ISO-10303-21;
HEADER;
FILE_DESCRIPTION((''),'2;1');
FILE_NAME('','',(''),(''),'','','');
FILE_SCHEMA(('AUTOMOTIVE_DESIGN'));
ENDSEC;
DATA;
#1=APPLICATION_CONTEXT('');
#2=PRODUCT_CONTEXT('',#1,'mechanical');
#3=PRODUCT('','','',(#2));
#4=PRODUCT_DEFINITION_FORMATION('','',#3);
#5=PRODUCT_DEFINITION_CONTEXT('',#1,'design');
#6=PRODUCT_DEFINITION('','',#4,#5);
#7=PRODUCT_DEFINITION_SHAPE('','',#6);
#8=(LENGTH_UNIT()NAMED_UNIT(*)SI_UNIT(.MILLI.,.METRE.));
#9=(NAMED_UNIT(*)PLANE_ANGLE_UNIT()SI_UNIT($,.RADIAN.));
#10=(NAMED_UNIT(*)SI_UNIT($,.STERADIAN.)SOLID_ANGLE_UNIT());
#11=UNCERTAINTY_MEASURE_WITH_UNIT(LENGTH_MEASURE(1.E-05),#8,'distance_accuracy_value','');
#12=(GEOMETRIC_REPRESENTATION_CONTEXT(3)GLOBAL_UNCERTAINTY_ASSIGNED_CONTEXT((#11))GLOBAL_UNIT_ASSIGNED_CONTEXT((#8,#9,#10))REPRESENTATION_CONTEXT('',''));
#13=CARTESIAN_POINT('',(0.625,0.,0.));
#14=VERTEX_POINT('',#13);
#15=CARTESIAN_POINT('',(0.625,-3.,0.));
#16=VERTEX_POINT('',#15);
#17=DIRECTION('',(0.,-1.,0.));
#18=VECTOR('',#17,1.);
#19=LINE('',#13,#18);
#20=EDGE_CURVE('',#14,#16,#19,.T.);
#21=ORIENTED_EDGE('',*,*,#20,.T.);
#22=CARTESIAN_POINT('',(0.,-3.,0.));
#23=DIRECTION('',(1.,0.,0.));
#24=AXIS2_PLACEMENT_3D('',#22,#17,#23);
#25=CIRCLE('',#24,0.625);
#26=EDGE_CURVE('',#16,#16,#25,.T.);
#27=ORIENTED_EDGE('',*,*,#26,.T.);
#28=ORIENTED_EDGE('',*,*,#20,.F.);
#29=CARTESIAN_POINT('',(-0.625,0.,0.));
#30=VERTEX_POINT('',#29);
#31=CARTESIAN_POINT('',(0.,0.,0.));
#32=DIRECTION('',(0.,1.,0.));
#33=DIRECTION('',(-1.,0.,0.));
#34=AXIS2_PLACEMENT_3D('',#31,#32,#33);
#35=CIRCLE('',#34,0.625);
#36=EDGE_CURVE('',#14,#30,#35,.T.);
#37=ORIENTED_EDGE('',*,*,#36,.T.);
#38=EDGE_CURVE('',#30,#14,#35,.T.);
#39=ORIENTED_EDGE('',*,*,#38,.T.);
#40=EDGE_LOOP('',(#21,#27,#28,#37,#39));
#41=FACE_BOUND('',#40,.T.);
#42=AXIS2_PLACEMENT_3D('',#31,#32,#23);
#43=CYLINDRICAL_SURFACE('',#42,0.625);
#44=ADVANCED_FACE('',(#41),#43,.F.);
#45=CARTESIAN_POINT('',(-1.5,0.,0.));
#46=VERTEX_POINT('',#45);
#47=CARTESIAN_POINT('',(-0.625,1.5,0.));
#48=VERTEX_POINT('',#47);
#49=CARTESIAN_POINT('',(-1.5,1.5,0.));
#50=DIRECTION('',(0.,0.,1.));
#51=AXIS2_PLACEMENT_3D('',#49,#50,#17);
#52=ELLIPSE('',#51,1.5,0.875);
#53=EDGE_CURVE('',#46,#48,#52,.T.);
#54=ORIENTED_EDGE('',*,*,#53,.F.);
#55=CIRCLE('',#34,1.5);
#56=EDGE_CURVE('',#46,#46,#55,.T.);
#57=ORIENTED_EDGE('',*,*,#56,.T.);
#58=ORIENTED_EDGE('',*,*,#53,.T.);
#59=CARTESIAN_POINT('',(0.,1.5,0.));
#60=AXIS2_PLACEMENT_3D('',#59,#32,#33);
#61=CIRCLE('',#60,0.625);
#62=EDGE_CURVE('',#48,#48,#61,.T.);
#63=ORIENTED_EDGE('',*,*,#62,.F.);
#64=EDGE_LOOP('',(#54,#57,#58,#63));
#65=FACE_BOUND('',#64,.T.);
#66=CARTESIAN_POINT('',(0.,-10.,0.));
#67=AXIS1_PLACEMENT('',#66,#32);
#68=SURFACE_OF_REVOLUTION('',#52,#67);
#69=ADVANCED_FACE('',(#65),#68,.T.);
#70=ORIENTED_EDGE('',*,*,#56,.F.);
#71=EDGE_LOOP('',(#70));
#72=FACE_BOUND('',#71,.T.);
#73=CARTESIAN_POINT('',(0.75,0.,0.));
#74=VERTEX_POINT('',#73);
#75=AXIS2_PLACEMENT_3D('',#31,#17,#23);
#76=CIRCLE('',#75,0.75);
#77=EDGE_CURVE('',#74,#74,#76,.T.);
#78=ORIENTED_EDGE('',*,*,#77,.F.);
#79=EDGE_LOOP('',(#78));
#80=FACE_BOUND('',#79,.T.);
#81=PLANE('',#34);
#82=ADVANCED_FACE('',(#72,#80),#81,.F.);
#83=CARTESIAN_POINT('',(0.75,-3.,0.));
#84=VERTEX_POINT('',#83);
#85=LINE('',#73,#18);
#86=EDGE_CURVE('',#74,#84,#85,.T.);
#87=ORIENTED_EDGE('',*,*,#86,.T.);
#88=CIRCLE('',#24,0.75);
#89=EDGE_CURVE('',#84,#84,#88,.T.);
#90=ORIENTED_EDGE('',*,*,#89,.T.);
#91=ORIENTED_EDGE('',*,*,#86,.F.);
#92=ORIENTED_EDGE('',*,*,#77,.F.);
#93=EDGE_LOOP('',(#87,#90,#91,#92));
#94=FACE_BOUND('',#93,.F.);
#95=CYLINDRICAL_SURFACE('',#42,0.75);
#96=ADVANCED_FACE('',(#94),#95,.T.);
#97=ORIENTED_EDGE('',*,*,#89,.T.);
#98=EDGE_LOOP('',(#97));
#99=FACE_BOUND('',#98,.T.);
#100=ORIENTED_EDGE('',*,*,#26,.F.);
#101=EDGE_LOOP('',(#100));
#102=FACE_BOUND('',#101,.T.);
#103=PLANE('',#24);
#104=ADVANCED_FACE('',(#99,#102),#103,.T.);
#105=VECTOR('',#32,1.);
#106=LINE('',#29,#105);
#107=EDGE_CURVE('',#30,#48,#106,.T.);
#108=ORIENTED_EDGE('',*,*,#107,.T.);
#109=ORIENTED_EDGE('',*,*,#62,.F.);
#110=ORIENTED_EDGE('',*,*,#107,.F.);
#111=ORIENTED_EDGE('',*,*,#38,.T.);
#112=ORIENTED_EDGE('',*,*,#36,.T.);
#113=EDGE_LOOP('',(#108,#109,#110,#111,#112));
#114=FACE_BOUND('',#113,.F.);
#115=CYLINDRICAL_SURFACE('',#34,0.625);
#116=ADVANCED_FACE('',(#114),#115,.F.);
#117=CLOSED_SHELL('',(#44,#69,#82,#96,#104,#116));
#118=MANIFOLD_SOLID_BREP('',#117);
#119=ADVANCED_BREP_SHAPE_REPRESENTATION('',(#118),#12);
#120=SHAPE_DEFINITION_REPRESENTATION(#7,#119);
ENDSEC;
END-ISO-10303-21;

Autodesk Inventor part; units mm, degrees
ref_plane "YZ Plane" through (0, 0, 0) normal (1, 0, 0) x (0, 1, 0)
ref_plane "XZ Plane" through (0, 0, 0) normal (0, 1, 0) x (-1, 0, 0)
ref_plane "XY Plane" through (0, 0, 0) normal (0, 0, 1) x (1, 0, 0)
sketch "Sketch1" plane through (0, 0, 0) normal (0, 0, 1) x (1, 0, 0)
  line L0 (-0.625, 0) -> (-0.625, 1.5)
  line L1 (-0.625, 0) -> (-1.5, 0)
  ellipse E0 centre (-1.5, 1.5) end of major axis (-1.5, 0) minor radius 0.875
  line L2 (0, -0.6) -> (0, 3.6) projected
  point P0 (0, 0)
  dimension "d0" = 1.5
  dimension "d1" = 0.625
  dimension "d2" = 1.5
revolve "Revolution1" add sketch "Sketch1" angle 360 about axis through (0, -10, 0) along (0, 1, 0) contours L1 E0 L0
sketch "Sketch2" plane through (0, 0, 0) normal (0, -1, 0) x (1, 0, 0)
  circle A0 centre (0, 0) radius 0.75
  circle A1 centre (0, 0) radius 0.625
  circle A2 centre (0, 0) radius 0.625 projected
  dimension "d4" = 1.5
extrude "Extrusion1" add sketch "Sketch2" along normal blind 3
properties part number "TorsOsc-2025-Cell-CapGlue" material "Polycarbonate, Smoke"
